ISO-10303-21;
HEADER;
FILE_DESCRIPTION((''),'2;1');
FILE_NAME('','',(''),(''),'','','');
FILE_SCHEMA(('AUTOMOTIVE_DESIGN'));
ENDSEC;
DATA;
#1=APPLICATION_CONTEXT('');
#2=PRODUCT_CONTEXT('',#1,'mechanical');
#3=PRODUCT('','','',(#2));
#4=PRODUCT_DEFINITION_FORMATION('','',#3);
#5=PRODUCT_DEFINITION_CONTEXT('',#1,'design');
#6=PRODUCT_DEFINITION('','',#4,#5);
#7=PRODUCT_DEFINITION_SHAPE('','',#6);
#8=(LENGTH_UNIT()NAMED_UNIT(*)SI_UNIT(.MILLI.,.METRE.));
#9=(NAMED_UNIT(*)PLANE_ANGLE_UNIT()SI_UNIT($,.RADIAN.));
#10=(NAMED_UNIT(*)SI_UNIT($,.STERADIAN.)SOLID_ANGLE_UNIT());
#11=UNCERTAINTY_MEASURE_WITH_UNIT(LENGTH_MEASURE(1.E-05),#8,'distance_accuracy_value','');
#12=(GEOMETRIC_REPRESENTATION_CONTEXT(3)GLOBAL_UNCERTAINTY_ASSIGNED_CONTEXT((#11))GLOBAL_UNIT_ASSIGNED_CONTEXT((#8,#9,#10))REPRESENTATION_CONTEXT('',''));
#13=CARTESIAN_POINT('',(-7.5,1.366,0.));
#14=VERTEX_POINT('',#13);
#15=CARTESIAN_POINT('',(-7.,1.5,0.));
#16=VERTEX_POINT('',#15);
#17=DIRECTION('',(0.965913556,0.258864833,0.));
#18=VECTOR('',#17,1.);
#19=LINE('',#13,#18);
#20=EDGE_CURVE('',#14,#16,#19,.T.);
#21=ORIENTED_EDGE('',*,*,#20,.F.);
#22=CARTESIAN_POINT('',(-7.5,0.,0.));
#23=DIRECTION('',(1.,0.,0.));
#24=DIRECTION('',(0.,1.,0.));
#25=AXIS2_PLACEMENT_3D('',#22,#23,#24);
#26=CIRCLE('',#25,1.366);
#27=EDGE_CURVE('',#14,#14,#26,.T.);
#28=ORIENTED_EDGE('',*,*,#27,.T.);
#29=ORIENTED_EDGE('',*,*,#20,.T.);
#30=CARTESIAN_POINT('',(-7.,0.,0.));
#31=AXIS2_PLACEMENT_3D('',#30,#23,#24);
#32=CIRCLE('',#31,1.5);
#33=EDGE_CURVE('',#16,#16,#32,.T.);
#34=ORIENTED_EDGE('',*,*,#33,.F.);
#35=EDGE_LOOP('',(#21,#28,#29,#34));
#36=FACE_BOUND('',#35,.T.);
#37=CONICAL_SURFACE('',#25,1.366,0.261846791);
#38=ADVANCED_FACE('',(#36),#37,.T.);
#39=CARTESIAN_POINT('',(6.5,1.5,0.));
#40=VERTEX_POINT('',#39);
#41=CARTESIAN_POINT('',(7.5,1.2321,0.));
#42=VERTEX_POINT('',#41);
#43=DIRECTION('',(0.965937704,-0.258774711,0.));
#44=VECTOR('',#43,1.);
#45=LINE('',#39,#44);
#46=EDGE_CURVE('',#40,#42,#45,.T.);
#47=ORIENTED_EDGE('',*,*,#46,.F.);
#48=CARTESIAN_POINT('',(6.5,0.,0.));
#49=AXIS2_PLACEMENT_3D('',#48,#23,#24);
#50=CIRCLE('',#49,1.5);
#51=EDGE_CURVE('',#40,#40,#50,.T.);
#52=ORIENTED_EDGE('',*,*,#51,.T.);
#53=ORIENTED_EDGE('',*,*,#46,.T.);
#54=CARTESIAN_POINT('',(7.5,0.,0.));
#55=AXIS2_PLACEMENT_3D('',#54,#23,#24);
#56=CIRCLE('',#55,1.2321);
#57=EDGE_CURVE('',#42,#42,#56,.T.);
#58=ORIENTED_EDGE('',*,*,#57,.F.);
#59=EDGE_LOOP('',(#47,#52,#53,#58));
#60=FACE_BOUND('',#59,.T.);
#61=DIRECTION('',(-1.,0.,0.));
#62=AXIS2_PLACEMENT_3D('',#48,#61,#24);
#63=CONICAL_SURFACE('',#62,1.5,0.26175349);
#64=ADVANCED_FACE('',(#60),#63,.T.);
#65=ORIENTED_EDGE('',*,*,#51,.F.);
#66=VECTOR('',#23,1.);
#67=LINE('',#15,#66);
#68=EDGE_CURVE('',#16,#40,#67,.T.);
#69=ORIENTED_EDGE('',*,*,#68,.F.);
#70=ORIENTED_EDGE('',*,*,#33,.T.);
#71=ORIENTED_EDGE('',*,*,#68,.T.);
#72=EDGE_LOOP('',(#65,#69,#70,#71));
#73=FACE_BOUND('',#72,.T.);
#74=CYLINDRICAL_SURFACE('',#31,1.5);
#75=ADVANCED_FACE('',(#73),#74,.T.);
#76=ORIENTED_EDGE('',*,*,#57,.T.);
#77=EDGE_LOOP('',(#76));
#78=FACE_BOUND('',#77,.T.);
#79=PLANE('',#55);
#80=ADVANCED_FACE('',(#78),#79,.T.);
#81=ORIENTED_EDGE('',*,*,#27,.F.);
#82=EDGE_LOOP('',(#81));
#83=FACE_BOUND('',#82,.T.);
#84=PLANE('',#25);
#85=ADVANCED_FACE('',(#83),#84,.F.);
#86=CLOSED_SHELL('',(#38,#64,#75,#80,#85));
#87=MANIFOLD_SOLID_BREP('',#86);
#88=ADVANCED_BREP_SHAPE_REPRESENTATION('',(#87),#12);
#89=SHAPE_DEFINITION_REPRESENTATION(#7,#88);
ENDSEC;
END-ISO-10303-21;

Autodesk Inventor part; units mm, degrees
ref_plane "YZ Plane" through (0, 0, 0) normal (1, 0, 0) x (0, 1, 0)
ref_plane "XZ Plane" through (0, 0, 0) normal (0, 1, 0) x (-1, 0, 0)
ref_plane "XY Plane" through (0, 0, 0) normal (0, 0, 1) x (1, 0, 0)
sketch "Sketch_1" plane through (0, 0, 0) normal (0, 0, 1) x (1, 0, 0)
  line L0 (7.5, 0) -> (-7.5, 0)
  line L1 (-7.5, 0) -> (-7.5, 1.366)
  line L2 (-7.5, 1.366) -> (-7, 1.5)
  line L3 (-7, 1.5) -> (6.5, 1.5)
  line L4 (6.5, 1.5) -> (7.5, 1.2321)
  line L5 (7.5, 1.2321) -> (7.5, 0)
  line L6 (7.5, 0) -> (-7.5, 0)
revolve "Revolution1" add sketch "Sketch_1" angle 360 about axis through (7.5, 0, 0) along (1, 0, 0)
properties part number "MSVC3-15"
